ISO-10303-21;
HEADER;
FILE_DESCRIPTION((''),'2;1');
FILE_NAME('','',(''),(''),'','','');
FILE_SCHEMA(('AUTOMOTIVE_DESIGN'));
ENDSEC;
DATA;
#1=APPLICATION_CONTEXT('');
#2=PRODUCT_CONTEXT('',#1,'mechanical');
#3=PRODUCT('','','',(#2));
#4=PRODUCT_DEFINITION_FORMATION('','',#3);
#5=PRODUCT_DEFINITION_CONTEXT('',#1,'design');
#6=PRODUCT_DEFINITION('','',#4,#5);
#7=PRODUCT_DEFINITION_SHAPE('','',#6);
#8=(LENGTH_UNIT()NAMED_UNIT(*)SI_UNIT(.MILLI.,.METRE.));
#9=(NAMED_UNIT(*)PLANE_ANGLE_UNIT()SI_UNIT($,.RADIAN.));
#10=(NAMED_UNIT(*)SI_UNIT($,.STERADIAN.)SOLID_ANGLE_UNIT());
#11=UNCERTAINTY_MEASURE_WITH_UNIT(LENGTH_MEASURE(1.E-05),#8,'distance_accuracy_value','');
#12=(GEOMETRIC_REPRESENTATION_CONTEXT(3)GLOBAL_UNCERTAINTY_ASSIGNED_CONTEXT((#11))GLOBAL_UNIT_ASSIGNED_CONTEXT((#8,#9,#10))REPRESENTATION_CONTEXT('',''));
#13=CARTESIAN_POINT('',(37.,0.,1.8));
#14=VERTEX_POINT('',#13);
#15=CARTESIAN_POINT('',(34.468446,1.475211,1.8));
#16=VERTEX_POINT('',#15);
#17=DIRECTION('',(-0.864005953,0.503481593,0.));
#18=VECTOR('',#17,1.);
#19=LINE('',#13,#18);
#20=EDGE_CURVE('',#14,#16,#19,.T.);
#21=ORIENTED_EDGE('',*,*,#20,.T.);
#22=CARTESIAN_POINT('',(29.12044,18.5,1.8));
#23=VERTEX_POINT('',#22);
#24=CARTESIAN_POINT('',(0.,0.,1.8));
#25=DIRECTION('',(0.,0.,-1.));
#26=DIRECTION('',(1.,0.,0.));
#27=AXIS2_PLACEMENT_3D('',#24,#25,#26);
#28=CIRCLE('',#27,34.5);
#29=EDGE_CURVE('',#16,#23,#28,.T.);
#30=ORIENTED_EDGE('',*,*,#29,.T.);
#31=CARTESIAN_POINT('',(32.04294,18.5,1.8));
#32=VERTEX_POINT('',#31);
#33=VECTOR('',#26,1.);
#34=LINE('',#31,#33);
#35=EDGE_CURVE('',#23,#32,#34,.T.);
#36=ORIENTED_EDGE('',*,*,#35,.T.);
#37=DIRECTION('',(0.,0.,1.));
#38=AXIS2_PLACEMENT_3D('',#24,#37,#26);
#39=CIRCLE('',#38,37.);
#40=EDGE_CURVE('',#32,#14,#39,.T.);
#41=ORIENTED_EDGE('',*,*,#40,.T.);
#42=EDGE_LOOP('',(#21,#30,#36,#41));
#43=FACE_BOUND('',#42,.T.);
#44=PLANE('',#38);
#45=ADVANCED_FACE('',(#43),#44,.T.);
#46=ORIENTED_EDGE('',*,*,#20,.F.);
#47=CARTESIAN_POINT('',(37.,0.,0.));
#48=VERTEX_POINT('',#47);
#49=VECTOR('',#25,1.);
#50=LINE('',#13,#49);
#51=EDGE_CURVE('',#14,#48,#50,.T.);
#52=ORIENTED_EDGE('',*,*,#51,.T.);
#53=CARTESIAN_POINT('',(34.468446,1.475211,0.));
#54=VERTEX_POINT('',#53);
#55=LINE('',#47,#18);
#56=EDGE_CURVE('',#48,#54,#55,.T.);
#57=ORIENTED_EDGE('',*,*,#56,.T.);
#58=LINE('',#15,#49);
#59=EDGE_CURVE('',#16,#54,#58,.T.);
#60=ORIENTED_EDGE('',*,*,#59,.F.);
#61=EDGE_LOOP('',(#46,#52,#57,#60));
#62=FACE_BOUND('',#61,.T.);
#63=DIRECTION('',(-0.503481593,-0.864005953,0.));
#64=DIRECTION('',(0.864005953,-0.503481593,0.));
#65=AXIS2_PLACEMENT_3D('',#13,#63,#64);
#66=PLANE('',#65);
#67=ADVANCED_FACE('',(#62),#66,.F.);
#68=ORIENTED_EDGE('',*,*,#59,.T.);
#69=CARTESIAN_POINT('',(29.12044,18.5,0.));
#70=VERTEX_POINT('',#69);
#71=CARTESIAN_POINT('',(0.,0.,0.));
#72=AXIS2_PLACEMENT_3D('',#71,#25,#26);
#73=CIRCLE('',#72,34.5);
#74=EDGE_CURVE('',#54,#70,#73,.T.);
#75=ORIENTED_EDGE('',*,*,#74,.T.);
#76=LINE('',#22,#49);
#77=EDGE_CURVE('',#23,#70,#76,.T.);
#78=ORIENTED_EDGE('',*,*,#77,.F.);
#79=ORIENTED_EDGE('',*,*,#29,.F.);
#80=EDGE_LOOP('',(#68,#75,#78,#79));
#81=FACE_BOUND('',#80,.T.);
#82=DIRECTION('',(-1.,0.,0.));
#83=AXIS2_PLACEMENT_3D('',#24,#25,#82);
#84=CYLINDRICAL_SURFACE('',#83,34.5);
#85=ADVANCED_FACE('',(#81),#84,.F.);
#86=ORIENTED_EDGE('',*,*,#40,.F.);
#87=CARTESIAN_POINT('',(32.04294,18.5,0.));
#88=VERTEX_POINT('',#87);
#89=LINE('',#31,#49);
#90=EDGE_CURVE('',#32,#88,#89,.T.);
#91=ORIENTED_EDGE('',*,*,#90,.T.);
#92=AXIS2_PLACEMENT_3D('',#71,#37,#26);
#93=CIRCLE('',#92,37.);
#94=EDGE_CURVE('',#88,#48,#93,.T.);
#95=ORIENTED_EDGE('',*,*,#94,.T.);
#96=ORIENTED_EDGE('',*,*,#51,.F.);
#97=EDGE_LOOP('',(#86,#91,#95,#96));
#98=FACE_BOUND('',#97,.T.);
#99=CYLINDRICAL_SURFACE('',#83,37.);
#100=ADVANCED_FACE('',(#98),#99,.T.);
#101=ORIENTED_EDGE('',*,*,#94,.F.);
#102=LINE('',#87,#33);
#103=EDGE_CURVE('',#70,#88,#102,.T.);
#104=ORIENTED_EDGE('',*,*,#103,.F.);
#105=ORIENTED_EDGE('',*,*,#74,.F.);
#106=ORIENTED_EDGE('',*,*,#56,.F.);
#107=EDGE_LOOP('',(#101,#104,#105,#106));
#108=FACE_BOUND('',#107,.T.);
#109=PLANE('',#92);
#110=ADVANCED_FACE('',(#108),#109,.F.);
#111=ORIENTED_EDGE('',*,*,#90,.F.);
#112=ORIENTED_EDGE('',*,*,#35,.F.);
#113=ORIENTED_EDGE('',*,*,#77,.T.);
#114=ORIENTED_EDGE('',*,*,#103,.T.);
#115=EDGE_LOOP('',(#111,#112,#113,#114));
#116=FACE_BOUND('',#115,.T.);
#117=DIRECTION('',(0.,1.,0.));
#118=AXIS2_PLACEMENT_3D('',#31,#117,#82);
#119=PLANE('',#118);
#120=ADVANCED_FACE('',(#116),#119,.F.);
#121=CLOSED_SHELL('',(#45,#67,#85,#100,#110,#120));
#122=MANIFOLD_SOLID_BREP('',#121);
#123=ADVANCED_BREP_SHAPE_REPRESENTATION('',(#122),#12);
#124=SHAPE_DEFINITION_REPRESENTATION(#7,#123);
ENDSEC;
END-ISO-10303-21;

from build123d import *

# Parameters (mm, degrees)
BASE_EXTRUSION_DEPTH = 1.8


with BuildPart() as part:
    # Esquisse1 → Base-Extrusion (new body)
    with BuildSketch(Plane.XY):
        with BuildLine():
            Line((37, 0), (34.468445757, 1.475210857))
            ThreePointArc((34.468445757, 1.475210857), (-32.914243805, -10.339369167), (29.120439557, 18.5))
            Line((29.120439557, 18.5), (32.04293994, 18.5))
            ThreePointArc((32.04293994, 18.5), (-35.739255573, -9.576304669), (37, 0))
        make_face()
    extrude(amount=BASE_EXTRUSION_DEPTH)


solid = part.part
